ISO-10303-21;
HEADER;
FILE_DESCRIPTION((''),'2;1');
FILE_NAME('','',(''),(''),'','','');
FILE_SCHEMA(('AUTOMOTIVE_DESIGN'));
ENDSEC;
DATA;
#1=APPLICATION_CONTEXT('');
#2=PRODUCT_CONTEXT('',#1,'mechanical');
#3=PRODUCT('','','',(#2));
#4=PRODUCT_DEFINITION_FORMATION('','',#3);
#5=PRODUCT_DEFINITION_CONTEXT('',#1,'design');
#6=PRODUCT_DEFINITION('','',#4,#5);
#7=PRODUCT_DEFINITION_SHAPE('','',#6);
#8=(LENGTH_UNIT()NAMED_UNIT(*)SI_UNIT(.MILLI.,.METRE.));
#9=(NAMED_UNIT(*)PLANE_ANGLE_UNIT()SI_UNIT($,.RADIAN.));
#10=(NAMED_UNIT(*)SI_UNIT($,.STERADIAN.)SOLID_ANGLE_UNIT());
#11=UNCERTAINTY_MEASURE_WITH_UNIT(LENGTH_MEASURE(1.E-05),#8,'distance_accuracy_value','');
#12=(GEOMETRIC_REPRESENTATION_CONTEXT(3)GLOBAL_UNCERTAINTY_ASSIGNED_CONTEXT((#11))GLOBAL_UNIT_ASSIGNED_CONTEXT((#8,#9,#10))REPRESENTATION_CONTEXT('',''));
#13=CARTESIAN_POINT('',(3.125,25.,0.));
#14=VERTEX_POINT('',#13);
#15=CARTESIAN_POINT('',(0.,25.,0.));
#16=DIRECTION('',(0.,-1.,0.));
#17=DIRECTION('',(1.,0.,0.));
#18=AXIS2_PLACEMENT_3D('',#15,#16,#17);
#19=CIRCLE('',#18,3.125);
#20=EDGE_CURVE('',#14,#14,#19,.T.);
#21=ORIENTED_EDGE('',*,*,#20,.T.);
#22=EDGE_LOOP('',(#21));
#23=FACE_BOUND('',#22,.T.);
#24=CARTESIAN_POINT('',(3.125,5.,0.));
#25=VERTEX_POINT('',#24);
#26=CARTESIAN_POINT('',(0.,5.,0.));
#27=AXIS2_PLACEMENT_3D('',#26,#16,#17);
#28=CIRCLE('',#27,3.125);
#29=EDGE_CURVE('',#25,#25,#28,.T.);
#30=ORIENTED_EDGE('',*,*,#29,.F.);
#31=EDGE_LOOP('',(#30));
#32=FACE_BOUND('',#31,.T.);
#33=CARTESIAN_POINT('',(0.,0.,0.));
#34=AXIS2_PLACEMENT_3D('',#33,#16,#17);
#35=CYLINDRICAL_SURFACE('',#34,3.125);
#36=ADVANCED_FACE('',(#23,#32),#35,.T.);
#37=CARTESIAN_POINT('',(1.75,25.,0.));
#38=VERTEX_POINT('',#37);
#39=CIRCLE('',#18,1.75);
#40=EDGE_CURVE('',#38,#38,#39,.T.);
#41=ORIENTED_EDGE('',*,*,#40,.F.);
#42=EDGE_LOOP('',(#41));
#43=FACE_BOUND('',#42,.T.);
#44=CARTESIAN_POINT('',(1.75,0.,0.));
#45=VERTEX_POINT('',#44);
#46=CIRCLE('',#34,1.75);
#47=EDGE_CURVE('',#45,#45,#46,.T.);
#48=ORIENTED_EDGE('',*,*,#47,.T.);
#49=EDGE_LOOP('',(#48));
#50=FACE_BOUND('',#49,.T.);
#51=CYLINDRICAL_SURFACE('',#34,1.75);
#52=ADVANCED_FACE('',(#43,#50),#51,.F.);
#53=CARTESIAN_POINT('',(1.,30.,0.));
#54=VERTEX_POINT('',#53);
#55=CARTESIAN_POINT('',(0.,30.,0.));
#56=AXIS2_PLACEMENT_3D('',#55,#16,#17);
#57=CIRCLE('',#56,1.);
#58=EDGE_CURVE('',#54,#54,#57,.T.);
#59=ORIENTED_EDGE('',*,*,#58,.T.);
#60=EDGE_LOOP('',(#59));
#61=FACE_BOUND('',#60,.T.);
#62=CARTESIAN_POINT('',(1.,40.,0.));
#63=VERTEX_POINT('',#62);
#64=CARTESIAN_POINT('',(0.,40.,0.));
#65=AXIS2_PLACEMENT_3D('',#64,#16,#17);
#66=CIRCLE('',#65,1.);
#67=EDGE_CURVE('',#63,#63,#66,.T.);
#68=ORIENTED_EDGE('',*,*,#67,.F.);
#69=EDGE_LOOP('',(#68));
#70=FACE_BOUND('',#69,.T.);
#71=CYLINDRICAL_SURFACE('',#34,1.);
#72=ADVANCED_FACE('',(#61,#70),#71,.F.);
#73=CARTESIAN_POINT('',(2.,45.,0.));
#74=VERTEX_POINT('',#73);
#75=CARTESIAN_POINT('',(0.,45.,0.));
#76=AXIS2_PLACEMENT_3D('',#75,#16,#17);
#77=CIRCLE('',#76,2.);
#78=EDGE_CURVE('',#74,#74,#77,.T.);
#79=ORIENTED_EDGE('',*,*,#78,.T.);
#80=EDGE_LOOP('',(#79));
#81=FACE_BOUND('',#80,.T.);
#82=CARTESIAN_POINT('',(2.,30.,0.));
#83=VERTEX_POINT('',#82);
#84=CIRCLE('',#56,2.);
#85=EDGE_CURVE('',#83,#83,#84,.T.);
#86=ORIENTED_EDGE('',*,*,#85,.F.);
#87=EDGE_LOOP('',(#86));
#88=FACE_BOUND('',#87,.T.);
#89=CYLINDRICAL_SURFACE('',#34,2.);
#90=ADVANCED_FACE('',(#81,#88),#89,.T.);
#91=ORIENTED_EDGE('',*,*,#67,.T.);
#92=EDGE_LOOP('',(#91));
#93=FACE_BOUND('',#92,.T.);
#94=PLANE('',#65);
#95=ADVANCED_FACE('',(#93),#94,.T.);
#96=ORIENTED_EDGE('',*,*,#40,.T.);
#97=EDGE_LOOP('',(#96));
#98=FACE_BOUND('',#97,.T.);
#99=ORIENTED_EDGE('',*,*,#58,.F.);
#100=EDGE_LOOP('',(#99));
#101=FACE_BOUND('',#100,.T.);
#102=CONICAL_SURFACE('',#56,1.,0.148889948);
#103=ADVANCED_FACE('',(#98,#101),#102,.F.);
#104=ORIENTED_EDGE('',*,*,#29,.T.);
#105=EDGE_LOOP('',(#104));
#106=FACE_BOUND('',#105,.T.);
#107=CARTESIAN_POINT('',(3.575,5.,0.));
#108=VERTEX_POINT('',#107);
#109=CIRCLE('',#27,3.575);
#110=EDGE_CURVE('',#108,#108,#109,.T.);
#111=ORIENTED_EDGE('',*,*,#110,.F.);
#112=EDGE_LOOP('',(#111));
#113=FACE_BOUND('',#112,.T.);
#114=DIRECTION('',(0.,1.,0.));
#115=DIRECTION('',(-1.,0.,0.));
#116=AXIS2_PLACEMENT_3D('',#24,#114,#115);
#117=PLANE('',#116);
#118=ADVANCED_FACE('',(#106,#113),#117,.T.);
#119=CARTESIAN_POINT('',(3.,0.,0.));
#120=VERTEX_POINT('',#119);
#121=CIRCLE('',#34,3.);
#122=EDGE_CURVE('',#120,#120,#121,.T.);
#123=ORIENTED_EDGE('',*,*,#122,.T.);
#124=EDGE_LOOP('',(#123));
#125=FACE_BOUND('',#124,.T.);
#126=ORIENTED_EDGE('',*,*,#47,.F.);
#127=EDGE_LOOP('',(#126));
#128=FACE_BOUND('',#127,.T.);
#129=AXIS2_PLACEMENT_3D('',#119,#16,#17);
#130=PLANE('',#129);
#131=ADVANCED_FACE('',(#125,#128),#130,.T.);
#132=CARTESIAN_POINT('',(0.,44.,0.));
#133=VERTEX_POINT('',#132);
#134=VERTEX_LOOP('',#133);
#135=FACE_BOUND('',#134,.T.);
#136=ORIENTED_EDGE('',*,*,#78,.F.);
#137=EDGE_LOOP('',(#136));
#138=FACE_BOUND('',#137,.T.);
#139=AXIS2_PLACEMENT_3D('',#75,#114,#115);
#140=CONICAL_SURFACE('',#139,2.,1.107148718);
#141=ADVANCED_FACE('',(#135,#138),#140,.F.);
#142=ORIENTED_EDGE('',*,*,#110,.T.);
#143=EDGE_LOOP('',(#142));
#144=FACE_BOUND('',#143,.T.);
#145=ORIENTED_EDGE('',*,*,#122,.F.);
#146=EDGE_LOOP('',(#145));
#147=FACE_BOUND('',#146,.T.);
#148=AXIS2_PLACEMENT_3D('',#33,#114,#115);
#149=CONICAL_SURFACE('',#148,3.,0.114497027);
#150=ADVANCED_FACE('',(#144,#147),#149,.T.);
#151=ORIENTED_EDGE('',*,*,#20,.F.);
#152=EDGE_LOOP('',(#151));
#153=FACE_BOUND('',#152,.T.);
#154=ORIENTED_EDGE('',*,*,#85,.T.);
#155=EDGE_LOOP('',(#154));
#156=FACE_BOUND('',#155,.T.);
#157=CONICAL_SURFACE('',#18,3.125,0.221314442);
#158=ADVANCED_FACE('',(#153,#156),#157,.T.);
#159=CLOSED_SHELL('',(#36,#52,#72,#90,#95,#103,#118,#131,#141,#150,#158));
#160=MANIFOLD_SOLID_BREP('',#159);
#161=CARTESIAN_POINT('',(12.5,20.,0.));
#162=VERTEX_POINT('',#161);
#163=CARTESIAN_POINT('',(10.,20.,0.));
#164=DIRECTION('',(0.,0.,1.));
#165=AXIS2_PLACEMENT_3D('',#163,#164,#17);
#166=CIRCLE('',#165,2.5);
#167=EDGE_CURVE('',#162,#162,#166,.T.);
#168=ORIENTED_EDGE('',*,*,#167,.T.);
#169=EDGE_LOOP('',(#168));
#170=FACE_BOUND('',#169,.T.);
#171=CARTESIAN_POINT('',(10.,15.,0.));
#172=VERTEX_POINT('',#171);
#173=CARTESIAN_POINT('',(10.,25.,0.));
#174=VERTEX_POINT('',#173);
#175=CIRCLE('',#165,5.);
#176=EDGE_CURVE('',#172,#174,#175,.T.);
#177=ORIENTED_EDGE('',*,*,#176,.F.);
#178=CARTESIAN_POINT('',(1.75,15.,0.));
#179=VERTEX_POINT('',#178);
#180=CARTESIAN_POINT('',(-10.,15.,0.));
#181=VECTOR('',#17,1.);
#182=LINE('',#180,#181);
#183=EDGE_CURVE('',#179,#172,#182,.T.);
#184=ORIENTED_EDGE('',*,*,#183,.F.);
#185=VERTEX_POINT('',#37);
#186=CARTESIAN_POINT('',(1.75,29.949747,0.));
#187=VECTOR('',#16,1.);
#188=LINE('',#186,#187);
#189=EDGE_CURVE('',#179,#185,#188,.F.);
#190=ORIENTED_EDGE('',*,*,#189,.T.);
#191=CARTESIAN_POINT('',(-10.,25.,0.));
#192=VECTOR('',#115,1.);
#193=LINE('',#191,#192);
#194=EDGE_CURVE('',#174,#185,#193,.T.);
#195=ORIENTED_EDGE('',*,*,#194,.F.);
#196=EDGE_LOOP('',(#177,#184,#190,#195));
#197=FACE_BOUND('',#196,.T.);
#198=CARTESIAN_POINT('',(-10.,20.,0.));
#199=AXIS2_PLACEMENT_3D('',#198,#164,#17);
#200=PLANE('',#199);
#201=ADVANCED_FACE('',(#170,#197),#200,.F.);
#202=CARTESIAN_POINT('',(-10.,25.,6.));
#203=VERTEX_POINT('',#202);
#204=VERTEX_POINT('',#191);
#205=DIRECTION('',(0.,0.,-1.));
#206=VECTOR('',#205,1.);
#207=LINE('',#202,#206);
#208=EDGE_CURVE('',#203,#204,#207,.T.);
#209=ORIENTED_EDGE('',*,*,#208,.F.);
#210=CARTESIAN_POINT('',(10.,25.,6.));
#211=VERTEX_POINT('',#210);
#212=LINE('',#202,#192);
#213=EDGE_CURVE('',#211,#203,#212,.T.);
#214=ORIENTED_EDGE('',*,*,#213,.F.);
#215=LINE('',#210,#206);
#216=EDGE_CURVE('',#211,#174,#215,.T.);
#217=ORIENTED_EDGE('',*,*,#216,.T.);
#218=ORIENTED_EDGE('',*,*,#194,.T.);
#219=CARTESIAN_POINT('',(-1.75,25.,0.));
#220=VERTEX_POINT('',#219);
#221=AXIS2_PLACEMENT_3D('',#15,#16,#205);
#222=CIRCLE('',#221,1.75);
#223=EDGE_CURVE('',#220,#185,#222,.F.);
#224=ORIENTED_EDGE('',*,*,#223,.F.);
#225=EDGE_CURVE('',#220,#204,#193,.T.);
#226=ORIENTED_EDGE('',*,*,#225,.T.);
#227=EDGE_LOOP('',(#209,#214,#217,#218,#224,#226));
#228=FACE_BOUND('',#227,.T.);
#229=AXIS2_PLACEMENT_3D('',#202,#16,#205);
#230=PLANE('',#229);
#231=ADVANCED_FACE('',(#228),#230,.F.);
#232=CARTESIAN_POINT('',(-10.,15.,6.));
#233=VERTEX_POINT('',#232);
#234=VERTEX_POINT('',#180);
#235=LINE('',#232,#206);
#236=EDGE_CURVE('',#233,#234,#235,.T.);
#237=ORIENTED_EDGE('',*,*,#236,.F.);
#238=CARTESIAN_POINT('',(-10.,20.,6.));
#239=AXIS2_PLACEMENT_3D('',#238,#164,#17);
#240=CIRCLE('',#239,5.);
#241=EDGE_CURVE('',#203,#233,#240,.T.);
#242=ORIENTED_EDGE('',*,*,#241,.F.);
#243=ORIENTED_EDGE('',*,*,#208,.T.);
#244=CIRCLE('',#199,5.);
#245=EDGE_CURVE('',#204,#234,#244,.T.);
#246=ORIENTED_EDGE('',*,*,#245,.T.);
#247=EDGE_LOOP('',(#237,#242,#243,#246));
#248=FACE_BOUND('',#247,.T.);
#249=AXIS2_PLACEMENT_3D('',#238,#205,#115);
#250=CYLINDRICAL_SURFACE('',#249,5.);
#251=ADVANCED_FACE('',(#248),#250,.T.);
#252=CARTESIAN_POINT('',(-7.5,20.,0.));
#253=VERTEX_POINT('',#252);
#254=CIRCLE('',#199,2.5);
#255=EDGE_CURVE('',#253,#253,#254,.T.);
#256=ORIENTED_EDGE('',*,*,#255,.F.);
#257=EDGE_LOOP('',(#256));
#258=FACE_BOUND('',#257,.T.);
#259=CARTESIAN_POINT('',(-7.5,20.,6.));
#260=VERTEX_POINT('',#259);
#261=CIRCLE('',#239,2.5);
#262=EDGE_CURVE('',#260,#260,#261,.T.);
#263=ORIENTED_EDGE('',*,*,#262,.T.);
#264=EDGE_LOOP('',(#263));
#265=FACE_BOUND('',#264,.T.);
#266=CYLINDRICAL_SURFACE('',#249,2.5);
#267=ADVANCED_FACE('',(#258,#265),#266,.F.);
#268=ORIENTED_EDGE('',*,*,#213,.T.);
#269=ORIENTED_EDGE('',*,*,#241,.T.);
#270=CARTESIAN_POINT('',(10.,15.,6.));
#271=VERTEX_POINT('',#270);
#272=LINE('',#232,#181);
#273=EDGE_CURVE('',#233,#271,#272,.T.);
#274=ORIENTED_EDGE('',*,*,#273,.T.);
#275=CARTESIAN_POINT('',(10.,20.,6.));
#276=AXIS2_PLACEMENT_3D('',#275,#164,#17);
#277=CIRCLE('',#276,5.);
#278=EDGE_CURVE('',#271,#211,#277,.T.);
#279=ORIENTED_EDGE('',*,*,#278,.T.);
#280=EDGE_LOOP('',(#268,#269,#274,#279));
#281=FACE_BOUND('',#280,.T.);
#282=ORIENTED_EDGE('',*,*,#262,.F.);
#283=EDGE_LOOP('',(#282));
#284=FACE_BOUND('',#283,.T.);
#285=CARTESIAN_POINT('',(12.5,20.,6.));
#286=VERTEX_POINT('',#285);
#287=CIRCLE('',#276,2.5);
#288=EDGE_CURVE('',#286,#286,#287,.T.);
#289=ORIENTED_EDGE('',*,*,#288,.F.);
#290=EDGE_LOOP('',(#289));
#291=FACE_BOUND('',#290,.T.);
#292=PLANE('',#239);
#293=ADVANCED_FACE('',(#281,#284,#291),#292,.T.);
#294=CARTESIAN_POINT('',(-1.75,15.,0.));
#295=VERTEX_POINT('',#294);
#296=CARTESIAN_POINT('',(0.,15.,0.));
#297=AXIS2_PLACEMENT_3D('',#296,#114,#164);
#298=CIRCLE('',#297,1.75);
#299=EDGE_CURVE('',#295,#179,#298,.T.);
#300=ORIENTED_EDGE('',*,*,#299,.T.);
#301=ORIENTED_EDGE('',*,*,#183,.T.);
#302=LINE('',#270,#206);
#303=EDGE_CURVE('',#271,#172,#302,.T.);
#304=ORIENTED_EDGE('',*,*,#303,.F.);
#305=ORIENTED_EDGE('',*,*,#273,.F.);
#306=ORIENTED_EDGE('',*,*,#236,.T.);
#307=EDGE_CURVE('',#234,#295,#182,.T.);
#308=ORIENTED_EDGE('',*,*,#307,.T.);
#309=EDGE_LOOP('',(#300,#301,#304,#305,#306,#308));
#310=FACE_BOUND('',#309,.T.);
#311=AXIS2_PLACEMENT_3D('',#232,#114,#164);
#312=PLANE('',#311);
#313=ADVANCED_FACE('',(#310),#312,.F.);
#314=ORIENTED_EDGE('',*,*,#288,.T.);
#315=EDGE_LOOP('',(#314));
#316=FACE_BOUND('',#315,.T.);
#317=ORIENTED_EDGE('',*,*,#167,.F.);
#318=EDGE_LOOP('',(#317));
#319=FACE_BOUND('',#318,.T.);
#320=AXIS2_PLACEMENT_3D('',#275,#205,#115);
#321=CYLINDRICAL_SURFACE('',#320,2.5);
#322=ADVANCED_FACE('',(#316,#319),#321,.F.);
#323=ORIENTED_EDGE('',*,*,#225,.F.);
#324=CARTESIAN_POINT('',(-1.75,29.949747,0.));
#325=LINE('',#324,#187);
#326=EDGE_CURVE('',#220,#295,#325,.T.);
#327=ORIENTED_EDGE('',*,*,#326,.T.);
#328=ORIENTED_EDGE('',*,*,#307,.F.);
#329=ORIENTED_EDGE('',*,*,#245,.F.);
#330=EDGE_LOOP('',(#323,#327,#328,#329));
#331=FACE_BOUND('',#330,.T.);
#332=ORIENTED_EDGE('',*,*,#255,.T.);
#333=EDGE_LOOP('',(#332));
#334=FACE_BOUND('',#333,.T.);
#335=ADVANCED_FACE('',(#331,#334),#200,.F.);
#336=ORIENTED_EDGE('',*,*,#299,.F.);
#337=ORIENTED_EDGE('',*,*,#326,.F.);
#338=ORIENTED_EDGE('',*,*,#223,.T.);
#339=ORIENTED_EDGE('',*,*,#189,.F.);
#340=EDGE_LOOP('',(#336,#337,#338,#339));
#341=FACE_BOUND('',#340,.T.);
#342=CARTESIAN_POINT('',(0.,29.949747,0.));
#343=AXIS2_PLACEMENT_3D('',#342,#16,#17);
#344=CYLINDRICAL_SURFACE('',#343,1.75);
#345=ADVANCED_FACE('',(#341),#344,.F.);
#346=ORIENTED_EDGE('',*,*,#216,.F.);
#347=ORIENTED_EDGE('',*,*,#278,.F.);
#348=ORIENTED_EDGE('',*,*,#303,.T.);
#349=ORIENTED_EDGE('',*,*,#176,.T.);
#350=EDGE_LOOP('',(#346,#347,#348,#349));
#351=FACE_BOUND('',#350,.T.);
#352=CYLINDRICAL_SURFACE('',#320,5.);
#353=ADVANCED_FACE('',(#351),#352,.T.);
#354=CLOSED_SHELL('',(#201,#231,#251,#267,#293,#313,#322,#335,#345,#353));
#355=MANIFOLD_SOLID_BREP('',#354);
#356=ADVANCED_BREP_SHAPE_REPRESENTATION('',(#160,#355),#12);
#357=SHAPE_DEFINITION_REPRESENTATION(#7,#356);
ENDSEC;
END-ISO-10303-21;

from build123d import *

# Parameters (mm, degrees)
SKETCH2_R           = 2.5
BOSS_EXTRUDE1_DEPTH = 6
SKETCH3_R           = 1.75
CUT_EXTRUDE1_DEPTH  = 25


with BuildPart() as part:
    # Sketch1 → Revolve1 (revolve)
    with BuildSketch(Plane.XY):
        Polygon((2, 30), (3.125, 25), (3.125, 5), (3.575, 5), (3, 0), (1.75, 0), (1.75, 25), (1, 30), (1, 40), (0, 40), (0, 44), (2, 45), align=None)
    revolve(axis=Axis((0, 0, 0), (0, 1, 0)))


with BuildPart() as body_2:
    # Sketch2 → Boss-Extrude1 (new body)
    with BuildSketch(Plane.XY):
        with BuildLine():
            Line((-10, 25), (10, 25))
            ThreePointArc((10, 25), (15, 20), (10, 15))
            Line((10, 15), (-10, 15))
            ThreePointArc((-10, 15), (-15, 20), (-10, 25))
        make_face()
        with Locations((-10, 20)):
            Circle(SKETCH2_R, mode=Mode.SUBTRACT)
        with Locations((10, 20)):
            Circle(SKETCH2_R, mode=Mode.SUBTRACT)
    extrude(amount=BOSS_EXTRUDE1_DEPTH)

    # Sketch3 → Cut-Extrude1 (cut)
    with BuildSketch(Plane.XZ):
        Circle(SKETCH3_R)
    extrude(amount=-CUT_EXTRUDE1_DEPTH, mode=Mode.SUBTRACT)


solid = Compound([part.part, body_2.part])
